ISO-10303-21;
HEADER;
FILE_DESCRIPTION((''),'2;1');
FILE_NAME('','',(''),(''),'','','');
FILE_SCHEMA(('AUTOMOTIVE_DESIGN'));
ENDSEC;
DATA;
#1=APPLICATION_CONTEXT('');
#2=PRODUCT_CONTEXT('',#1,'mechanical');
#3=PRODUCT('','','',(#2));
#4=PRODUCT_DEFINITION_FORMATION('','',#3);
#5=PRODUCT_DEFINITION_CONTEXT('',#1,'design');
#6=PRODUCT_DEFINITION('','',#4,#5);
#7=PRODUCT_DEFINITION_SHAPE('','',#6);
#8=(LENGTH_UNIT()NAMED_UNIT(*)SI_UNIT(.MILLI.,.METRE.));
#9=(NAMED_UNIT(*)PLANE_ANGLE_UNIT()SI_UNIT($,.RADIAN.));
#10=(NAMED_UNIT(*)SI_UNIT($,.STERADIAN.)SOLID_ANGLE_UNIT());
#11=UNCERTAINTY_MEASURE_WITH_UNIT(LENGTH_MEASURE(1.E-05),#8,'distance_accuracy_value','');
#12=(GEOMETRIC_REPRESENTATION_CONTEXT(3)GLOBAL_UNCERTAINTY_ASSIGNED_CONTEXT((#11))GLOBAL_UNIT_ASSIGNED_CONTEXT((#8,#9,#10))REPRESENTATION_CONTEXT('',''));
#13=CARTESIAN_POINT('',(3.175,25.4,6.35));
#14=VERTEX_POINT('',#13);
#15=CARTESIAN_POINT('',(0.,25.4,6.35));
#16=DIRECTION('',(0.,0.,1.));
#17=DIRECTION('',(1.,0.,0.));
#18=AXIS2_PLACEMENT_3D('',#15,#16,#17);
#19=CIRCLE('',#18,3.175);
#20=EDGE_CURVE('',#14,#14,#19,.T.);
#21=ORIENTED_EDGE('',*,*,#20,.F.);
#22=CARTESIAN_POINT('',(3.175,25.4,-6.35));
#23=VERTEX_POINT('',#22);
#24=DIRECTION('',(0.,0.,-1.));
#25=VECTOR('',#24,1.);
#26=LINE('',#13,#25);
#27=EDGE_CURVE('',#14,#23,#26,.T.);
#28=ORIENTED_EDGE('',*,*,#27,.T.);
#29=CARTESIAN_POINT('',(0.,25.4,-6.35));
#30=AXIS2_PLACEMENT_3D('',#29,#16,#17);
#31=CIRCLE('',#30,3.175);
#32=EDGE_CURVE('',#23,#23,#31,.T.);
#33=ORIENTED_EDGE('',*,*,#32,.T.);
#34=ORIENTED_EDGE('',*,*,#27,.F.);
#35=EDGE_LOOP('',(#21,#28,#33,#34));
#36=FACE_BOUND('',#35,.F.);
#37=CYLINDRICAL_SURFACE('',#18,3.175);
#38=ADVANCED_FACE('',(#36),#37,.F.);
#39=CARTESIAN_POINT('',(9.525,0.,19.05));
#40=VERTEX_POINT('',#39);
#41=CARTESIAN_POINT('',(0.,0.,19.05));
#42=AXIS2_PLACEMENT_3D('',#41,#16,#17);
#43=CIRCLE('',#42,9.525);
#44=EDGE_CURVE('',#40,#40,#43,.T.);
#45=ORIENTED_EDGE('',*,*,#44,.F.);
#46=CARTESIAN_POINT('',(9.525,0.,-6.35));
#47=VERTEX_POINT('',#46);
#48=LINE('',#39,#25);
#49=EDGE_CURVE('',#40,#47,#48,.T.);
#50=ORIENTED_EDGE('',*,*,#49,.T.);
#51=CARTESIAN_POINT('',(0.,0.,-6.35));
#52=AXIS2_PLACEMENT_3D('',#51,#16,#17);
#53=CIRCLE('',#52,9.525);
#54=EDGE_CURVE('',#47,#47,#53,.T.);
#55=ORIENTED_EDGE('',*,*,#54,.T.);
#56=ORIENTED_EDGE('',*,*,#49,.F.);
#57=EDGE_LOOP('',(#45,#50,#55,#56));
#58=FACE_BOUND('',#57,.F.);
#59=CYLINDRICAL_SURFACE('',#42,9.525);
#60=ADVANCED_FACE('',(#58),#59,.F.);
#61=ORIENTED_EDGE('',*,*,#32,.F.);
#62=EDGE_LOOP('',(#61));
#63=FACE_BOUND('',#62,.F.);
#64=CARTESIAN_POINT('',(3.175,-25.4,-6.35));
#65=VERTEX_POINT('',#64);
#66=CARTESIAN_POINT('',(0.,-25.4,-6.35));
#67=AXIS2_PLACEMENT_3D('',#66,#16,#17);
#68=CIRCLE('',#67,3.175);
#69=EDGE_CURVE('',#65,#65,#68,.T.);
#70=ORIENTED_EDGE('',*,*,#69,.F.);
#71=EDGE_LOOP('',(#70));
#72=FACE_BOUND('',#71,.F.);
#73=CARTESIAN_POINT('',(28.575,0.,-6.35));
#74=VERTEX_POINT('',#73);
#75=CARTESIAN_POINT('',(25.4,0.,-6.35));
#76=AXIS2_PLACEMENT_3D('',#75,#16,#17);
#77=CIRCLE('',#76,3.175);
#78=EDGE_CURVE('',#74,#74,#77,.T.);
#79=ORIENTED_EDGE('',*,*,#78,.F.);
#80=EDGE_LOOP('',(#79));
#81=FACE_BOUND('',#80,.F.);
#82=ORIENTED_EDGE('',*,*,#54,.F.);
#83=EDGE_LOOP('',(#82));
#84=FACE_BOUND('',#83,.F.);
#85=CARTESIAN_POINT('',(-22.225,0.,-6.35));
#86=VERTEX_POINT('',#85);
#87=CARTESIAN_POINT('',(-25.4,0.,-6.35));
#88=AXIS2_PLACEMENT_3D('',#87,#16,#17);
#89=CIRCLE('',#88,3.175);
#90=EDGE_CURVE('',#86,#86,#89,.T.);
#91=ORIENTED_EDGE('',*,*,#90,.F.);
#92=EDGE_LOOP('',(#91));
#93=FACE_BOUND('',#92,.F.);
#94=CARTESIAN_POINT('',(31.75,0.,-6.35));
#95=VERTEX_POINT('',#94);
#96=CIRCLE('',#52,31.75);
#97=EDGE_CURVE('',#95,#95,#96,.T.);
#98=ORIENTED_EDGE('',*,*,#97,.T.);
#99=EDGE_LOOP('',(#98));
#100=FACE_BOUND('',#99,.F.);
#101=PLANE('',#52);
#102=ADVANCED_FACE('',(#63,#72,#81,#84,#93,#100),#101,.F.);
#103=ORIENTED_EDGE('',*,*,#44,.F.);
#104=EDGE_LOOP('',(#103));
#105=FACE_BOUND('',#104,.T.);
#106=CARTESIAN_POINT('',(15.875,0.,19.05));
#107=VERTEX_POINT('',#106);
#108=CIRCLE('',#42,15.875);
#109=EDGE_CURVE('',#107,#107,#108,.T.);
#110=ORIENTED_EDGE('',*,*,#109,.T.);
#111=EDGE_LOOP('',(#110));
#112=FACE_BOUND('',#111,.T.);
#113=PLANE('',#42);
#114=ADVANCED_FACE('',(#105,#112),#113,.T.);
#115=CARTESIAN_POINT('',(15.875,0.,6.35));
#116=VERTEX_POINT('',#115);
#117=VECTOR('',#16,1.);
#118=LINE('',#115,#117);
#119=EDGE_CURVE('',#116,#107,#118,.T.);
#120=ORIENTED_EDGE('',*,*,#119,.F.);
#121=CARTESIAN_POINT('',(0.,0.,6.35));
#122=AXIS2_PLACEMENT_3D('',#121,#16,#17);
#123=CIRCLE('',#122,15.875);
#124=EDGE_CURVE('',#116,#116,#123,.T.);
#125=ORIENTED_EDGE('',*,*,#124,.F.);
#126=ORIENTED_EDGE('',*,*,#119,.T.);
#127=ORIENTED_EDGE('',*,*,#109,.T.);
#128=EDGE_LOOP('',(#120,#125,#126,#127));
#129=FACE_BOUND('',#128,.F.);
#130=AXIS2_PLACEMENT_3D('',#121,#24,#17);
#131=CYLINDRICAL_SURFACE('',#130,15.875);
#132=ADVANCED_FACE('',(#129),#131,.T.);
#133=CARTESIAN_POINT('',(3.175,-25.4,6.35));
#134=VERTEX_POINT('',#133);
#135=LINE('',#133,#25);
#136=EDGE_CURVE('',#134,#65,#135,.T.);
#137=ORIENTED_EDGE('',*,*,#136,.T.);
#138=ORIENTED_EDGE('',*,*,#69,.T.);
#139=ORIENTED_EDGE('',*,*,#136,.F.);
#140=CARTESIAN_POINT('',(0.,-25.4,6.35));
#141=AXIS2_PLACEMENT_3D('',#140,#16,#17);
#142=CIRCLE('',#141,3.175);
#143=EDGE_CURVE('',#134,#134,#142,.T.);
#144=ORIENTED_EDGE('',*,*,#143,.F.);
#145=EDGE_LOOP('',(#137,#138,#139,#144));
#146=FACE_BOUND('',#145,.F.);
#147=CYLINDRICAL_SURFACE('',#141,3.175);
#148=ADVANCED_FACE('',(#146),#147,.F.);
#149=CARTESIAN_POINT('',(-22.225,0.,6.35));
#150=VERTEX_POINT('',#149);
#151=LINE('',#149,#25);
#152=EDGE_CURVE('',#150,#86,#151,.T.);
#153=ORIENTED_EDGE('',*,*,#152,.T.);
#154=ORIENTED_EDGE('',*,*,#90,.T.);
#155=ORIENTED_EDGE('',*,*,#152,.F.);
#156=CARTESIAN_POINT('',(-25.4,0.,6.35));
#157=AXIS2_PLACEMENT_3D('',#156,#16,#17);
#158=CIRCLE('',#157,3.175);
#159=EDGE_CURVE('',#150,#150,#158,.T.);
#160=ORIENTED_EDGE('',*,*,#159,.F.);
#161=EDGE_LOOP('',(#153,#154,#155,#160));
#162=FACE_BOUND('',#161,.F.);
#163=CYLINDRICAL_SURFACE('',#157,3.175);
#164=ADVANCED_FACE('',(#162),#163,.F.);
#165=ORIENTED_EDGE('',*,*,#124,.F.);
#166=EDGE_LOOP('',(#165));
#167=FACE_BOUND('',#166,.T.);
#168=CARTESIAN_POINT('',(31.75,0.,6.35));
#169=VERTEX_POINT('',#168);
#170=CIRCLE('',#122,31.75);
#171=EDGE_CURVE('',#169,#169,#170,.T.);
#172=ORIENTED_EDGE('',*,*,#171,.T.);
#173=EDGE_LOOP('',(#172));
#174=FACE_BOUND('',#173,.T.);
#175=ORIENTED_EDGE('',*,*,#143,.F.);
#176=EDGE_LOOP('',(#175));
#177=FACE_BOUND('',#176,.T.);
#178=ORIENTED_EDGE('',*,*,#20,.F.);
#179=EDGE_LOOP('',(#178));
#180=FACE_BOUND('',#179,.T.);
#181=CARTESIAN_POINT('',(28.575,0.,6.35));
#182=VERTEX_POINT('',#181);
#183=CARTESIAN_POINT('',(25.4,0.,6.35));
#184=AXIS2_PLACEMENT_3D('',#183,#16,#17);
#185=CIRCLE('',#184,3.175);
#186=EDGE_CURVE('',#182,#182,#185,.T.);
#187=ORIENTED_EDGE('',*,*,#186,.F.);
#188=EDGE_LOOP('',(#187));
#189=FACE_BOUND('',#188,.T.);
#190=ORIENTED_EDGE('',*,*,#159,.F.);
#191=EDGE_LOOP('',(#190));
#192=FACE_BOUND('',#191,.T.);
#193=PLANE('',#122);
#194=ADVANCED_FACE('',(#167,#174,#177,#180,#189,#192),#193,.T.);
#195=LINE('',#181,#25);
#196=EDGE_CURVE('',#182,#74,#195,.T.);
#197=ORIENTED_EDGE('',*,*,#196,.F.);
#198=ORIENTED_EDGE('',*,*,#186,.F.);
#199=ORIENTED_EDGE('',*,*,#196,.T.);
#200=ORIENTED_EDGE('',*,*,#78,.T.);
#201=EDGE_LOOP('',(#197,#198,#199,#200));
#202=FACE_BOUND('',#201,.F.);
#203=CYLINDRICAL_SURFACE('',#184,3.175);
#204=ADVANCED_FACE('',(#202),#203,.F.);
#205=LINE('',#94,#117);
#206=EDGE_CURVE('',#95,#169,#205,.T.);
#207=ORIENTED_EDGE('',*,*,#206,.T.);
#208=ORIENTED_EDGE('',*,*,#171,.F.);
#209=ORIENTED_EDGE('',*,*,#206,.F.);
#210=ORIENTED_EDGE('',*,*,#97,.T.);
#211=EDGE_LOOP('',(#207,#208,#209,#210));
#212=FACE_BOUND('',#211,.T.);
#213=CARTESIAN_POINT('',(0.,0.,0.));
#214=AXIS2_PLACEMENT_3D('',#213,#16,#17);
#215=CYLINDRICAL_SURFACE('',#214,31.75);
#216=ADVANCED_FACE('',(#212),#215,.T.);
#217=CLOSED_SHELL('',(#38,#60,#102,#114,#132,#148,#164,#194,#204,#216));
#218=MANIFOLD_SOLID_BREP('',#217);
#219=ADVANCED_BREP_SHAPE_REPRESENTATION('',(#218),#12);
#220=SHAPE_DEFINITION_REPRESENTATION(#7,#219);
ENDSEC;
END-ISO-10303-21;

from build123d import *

# Parameters (mm, degrees)
F0_R     = 31.75
F1_DEPTH = 6.35
F2_R     = 15.875
F3_DEPTH = 12.7
F4_R     = 9.525
F5_DEPTH = 25.401
F6_R     = 3.175
F7_DEPTH = 12.701


with BuildPart() as f1:
    # F0 (on Top) → F1 (new body, symmetric)
    with BuildSketch(Plane.XY):
        Circle(F0_R)
    extrude(amount=F1_DEPTH, both=True)

    # F2 (on face) → F3 (join)
    with BuildSketch(Plane.XY.offset(6.35)):
        Circle(F2_R)
    extrude(amount=F3_DEPTH)

    # F4 (on face) → F5 (cut, through all)
    with BuildSketch(Plane.XY.offset(19.05)):
        Circle(F4_R)
    extrude(amount=-F5_DEPTH, mode=Mode.SUBTRACT)

    # F6 (on face) → F7 (cut, through all)
    with BuildSketch(Plane.XY.offset(6.35)):
        with Locations((0, 25.4)):
            Circle(F6_R)
        with Locations((25.4, 0)):
            Circle(F6_R)
        with Locations((0, -25.4)):
            Circle(F6_R)
        with Locations((-25.4, 0)):
            Circle(F6_R)
    extrude(amount=-F7_DEPTH, mode=Mode.SUBTRACT)


solid = f1.part
